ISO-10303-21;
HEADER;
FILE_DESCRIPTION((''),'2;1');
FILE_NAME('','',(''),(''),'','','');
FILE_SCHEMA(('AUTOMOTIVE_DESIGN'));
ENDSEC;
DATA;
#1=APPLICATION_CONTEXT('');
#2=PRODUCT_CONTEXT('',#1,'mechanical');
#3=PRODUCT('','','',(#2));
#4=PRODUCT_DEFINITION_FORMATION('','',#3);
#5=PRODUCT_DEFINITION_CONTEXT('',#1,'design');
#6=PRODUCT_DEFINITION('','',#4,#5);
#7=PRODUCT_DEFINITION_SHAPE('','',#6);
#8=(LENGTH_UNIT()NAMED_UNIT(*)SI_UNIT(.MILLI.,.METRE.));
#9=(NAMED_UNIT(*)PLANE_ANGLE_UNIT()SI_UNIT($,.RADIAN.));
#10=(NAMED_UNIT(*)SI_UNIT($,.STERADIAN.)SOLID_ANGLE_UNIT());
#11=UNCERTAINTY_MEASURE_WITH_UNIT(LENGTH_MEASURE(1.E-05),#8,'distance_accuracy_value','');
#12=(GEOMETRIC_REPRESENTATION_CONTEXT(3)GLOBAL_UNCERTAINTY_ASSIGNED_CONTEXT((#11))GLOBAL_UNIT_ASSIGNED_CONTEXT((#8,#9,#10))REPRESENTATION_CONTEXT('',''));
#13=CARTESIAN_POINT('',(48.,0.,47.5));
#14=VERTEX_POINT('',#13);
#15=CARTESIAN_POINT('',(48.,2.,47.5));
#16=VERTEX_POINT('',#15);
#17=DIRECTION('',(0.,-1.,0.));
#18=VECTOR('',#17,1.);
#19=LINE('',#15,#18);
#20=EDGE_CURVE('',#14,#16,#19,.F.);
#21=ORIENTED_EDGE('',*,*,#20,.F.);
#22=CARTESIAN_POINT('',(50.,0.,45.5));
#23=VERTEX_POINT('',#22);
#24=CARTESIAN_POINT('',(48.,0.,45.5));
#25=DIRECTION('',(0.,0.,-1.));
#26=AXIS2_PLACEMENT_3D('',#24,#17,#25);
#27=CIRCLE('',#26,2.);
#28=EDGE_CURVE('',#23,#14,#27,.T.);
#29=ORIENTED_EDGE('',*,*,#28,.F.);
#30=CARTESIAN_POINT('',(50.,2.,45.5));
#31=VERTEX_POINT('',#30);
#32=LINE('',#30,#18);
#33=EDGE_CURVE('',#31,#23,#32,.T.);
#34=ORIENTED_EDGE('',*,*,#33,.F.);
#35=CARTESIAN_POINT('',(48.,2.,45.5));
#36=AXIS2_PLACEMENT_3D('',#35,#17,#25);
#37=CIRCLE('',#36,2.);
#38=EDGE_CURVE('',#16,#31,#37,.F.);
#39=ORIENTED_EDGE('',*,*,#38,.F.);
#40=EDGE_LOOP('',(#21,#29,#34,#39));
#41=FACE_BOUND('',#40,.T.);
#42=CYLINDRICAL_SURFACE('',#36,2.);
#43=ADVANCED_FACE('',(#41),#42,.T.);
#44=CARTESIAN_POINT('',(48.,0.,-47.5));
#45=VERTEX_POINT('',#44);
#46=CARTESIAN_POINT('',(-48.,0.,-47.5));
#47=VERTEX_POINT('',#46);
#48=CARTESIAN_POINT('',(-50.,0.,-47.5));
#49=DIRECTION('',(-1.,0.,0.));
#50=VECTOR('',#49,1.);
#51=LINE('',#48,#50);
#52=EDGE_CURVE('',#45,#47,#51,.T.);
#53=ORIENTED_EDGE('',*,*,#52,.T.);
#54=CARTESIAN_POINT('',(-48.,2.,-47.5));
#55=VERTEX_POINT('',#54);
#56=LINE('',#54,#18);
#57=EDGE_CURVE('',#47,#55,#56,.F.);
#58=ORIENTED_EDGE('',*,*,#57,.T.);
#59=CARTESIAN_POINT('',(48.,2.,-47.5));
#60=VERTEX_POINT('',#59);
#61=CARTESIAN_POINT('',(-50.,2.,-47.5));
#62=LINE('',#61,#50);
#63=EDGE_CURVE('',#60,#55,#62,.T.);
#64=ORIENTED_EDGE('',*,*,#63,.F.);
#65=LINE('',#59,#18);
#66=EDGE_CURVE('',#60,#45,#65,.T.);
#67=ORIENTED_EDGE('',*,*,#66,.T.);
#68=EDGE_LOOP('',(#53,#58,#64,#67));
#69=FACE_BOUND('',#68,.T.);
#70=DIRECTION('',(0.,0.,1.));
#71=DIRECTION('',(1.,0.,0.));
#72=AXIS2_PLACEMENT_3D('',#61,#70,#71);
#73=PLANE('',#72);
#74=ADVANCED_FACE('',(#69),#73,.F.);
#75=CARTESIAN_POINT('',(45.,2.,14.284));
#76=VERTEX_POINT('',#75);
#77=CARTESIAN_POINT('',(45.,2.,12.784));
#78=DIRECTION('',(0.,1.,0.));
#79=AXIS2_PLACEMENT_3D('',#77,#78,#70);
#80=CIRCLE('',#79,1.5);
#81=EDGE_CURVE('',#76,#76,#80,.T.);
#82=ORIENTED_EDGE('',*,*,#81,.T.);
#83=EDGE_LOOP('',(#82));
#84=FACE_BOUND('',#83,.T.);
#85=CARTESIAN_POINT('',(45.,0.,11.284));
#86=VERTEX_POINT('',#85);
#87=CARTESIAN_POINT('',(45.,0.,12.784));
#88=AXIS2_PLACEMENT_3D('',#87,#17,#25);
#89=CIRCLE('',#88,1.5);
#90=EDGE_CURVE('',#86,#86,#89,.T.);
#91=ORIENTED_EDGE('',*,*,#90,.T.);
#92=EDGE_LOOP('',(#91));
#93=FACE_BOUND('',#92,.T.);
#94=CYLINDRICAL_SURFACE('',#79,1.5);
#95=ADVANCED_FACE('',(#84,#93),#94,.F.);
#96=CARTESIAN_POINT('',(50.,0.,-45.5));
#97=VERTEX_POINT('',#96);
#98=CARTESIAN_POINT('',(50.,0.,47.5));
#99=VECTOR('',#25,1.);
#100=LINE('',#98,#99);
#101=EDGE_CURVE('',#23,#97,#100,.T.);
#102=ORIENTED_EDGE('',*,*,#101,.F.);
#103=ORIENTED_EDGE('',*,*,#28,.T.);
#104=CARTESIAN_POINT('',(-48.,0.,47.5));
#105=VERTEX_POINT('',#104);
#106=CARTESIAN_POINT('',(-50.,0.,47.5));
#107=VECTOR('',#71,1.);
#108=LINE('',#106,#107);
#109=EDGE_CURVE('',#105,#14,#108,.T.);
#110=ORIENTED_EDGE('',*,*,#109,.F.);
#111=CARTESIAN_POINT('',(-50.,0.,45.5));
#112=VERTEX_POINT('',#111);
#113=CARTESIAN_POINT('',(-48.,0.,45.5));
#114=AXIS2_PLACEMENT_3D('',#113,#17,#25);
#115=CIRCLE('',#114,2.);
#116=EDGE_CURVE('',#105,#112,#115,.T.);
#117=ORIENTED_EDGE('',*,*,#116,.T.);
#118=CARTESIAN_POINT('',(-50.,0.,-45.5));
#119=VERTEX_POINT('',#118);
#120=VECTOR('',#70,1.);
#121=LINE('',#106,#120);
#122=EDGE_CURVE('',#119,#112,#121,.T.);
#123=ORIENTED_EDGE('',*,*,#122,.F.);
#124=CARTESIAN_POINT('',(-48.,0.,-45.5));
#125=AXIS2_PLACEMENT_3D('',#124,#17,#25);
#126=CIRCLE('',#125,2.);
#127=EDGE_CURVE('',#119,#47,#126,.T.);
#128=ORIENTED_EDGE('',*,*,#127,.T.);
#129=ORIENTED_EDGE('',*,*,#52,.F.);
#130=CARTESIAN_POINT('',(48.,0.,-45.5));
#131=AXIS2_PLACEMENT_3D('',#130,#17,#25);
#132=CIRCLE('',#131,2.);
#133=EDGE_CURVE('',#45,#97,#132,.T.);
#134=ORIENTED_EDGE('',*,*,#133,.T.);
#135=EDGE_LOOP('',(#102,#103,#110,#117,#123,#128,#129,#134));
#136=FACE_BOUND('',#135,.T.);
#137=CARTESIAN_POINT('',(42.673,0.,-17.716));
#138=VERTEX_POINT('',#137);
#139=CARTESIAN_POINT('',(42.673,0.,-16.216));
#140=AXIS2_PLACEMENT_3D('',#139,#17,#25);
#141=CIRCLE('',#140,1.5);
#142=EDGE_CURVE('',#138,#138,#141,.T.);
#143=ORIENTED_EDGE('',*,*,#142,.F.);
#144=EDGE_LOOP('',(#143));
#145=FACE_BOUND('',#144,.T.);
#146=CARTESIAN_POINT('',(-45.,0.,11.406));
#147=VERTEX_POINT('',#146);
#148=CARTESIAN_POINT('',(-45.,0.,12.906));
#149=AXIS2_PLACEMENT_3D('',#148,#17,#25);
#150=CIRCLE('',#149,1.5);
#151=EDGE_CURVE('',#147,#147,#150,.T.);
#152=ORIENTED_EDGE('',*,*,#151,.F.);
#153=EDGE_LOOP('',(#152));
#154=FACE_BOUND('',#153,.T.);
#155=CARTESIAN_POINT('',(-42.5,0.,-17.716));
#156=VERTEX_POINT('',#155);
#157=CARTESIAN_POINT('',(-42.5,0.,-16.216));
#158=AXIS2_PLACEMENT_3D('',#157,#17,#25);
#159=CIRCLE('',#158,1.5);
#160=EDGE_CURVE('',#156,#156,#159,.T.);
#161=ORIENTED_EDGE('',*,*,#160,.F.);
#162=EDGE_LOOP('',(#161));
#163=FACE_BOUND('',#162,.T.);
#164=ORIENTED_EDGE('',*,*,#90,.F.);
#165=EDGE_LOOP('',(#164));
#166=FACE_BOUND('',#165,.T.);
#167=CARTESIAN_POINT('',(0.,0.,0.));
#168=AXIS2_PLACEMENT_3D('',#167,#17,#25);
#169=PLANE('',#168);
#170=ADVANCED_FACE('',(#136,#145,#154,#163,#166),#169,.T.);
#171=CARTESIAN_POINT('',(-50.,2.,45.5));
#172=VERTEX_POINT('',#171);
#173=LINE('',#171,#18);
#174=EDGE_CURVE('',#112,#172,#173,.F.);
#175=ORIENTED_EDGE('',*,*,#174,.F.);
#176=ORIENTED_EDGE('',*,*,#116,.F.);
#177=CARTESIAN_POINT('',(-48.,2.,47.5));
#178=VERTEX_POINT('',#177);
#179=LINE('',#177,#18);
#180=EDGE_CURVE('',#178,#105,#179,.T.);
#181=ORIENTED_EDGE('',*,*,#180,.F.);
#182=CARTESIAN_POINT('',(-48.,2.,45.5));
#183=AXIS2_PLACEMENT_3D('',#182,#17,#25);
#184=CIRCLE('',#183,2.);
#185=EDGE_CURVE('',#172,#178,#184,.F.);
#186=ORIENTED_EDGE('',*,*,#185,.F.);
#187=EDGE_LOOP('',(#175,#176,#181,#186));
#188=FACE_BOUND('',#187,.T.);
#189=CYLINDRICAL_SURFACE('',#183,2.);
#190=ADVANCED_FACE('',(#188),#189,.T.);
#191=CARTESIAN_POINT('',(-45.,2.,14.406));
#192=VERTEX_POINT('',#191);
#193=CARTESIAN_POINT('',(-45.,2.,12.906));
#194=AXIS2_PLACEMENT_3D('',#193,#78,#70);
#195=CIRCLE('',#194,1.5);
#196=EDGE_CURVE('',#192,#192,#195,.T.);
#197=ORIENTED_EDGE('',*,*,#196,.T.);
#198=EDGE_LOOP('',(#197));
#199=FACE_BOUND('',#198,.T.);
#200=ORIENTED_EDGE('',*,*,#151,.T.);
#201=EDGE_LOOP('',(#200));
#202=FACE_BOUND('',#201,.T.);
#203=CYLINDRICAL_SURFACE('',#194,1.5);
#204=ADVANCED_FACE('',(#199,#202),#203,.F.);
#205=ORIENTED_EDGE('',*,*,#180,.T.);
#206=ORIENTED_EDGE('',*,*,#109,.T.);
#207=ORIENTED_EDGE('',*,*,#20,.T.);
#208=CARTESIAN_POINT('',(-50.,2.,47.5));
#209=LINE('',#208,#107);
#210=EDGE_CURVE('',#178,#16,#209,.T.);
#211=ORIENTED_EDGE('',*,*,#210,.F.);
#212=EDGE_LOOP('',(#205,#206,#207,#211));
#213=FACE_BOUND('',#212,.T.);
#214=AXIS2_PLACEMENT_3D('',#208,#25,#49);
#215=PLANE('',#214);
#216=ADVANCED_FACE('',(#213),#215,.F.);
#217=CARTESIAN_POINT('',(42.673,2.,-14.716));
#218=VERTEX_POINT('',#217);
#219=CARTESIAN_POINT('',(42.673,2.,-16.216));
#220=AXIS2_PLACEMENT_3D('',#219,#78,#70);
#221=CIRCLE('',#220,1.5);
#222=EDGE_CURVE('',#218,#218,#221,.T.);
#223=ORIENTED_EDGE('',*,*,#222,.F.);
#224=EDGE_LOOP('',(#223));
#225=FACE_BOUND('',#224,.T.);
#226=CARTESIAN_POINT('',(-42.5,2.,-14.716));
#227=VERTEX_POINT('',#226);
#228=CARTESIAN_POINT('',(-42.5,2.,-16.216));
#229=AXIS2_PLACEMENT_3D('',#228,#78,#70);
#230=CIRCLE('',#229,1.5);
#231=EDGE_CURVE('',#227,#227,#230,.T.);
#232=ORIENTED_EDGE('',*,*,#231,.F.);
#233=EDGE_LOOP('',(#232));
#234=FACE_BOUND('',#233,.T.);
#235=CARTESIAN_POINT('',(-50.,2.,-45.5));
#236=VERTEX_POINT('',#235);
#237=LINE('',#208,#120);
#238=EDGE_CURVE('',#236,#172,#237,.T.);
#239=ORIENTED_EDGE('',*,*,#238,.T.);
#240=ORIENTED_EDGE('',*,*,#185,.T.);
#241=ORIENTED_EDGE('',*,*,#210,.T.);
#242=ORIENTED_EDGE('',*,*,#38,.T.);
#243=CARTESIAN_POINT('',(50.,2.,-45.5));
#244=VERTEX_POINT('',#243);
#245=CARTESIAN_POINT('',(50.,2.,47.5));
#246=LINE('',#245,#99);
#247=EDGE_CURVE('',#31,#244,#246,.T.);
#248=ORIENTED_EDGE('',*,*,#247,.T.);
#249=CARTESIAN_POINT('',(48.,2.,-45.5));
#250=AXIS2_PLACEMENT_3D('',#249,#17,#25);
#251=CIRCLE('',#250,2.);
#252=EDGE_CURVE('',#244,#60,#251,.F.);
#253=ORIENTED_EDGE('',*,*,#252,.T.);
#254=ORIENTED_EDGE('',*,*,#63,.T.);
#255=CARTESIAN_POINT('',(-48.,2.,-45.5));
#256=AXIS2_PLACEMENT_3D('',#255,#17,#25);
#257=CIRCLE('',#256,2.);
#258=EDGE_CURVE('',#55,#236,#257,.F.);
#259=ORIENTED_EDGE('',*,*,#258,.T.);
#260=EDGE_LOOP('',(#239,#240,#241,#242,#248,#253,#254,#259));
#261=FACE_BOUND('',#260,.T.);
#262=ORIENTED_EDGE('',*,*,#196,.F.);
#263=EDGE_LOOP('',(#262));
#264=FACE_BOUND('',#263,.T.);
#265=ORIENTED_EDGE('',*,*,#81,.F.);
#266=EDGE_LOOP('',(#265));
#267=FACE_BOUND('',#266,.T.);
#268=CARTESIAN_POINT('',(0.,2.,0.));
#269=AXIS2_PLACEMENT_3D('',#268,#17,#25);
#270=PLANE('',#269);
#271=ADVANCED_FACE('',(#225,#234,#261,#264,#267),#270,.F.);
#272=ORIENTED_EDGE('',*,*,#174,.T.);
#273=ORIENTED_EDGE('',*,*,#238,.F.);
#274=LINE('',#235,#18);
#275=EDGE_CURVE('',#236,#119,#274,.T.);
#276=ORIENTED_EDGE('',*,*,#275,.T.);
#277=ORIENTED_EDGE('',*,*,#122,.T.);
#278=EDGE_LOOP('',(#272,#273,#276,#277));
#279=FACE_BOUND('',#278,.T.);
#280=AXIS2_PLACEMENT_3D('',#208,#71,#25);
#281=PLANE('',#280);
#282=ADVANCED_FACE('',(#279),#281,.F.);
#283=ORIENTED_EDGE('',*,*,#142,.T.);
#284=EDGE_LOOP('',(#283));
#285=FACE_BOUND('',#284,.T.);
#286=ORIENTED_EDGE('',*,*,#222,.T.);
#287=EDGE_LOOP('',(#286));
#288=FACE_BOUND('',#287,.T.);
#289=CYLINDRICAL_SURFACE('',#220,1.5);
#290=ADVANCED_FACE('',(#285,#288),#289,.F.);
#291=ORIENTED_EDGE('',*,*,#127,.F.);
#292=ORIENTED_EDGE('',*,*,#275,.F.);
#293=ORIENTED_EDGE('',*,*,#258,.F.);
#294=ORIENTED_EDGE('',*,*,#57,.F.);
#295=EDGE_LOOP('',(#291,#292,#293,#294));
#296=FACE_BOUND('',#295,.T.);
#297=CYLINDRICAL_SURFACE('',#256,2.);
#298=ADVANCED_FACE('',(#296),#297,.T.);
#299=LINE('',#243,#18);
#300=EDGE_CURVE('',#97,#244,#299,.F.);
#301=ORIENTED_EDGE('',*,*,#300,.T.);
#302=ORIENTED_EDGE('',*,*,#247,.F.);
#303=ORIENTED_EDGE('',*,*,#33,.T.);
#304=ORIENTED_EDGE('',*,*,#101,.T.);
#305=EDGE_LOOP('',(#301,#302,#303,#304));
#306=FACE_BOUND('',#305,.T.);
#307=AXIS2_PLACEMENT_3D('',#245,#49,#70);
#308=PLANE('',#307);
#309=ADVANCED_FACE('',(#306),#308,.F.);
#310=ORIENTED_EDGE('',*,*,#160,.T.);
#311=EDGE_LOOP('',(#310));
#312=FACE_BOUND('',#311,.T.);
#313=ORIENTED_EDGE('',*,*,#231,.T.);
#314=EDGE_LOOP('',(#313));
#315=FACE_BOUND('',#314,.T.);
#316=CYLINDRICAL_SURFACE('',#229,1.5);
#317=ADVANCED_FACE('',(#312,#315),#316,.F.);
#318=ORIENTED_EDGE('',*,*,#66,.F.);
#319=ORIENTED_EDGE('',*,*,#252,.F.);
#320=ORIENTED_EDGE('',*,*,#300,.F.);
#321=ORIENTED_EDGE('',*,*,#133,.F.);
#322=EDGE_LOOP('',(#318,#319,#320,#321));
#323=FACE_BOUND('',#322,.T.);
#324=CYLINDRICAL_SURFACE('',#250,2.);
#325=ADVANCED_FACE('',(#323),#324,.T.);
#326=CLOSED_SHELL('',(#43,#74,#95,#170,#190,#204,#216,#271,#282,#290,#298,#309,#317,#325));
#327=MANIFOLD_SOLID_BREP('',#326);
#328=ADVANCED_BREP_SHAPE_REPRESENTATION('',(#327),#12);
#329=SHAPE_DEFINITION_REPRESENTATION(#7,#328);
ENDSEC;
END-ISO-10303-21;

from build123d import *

# Parameters (mm, degrees)
SKETCH_1_W      = 100
SKETCH_1_H      = 95
EXTRUDE_1_DEPTH = 2
HOLE_WIZARD_1_D = 3
FILLET_1_R      = 2


with BuildPart() as part:
    # 草图1 → 凸台-拉伸1 (new body)
    with BuildSketch(Plane(origin=(0, 0, 0), x_dir=(1, 0, 0), z_dir=(0, 1, 0))):
        Rectangle(SKETCH_1_W, SKETCH_1_H)
    extrude(amount=EXTRUDE_1_DEPTH)

    # 孔1 (through all)
    with Locations(Plane(origin=(0, 2, 0), x_dir=(1, 0, 0), z_dir=(0, 1, 0))):
        with Locations((-45, -12.906), (-42.5, 16.216), (42.673, 16.216), (45, -12.784)):
            Hole(HOLE_WIZARD_1_D / 2)

    # 圆角1
    fillet_1_edges = [part.edges().sort_by_distance(p)[0] for p in [
        (50, 1, 47.5),
        (-50, 1, 47.5),
        (-50, 1, -47.5),
        (50, 1, -47.5),
    ]]
    fillet(fillet_1_edges, radius=FILLET_1_R)


solid = part.part
